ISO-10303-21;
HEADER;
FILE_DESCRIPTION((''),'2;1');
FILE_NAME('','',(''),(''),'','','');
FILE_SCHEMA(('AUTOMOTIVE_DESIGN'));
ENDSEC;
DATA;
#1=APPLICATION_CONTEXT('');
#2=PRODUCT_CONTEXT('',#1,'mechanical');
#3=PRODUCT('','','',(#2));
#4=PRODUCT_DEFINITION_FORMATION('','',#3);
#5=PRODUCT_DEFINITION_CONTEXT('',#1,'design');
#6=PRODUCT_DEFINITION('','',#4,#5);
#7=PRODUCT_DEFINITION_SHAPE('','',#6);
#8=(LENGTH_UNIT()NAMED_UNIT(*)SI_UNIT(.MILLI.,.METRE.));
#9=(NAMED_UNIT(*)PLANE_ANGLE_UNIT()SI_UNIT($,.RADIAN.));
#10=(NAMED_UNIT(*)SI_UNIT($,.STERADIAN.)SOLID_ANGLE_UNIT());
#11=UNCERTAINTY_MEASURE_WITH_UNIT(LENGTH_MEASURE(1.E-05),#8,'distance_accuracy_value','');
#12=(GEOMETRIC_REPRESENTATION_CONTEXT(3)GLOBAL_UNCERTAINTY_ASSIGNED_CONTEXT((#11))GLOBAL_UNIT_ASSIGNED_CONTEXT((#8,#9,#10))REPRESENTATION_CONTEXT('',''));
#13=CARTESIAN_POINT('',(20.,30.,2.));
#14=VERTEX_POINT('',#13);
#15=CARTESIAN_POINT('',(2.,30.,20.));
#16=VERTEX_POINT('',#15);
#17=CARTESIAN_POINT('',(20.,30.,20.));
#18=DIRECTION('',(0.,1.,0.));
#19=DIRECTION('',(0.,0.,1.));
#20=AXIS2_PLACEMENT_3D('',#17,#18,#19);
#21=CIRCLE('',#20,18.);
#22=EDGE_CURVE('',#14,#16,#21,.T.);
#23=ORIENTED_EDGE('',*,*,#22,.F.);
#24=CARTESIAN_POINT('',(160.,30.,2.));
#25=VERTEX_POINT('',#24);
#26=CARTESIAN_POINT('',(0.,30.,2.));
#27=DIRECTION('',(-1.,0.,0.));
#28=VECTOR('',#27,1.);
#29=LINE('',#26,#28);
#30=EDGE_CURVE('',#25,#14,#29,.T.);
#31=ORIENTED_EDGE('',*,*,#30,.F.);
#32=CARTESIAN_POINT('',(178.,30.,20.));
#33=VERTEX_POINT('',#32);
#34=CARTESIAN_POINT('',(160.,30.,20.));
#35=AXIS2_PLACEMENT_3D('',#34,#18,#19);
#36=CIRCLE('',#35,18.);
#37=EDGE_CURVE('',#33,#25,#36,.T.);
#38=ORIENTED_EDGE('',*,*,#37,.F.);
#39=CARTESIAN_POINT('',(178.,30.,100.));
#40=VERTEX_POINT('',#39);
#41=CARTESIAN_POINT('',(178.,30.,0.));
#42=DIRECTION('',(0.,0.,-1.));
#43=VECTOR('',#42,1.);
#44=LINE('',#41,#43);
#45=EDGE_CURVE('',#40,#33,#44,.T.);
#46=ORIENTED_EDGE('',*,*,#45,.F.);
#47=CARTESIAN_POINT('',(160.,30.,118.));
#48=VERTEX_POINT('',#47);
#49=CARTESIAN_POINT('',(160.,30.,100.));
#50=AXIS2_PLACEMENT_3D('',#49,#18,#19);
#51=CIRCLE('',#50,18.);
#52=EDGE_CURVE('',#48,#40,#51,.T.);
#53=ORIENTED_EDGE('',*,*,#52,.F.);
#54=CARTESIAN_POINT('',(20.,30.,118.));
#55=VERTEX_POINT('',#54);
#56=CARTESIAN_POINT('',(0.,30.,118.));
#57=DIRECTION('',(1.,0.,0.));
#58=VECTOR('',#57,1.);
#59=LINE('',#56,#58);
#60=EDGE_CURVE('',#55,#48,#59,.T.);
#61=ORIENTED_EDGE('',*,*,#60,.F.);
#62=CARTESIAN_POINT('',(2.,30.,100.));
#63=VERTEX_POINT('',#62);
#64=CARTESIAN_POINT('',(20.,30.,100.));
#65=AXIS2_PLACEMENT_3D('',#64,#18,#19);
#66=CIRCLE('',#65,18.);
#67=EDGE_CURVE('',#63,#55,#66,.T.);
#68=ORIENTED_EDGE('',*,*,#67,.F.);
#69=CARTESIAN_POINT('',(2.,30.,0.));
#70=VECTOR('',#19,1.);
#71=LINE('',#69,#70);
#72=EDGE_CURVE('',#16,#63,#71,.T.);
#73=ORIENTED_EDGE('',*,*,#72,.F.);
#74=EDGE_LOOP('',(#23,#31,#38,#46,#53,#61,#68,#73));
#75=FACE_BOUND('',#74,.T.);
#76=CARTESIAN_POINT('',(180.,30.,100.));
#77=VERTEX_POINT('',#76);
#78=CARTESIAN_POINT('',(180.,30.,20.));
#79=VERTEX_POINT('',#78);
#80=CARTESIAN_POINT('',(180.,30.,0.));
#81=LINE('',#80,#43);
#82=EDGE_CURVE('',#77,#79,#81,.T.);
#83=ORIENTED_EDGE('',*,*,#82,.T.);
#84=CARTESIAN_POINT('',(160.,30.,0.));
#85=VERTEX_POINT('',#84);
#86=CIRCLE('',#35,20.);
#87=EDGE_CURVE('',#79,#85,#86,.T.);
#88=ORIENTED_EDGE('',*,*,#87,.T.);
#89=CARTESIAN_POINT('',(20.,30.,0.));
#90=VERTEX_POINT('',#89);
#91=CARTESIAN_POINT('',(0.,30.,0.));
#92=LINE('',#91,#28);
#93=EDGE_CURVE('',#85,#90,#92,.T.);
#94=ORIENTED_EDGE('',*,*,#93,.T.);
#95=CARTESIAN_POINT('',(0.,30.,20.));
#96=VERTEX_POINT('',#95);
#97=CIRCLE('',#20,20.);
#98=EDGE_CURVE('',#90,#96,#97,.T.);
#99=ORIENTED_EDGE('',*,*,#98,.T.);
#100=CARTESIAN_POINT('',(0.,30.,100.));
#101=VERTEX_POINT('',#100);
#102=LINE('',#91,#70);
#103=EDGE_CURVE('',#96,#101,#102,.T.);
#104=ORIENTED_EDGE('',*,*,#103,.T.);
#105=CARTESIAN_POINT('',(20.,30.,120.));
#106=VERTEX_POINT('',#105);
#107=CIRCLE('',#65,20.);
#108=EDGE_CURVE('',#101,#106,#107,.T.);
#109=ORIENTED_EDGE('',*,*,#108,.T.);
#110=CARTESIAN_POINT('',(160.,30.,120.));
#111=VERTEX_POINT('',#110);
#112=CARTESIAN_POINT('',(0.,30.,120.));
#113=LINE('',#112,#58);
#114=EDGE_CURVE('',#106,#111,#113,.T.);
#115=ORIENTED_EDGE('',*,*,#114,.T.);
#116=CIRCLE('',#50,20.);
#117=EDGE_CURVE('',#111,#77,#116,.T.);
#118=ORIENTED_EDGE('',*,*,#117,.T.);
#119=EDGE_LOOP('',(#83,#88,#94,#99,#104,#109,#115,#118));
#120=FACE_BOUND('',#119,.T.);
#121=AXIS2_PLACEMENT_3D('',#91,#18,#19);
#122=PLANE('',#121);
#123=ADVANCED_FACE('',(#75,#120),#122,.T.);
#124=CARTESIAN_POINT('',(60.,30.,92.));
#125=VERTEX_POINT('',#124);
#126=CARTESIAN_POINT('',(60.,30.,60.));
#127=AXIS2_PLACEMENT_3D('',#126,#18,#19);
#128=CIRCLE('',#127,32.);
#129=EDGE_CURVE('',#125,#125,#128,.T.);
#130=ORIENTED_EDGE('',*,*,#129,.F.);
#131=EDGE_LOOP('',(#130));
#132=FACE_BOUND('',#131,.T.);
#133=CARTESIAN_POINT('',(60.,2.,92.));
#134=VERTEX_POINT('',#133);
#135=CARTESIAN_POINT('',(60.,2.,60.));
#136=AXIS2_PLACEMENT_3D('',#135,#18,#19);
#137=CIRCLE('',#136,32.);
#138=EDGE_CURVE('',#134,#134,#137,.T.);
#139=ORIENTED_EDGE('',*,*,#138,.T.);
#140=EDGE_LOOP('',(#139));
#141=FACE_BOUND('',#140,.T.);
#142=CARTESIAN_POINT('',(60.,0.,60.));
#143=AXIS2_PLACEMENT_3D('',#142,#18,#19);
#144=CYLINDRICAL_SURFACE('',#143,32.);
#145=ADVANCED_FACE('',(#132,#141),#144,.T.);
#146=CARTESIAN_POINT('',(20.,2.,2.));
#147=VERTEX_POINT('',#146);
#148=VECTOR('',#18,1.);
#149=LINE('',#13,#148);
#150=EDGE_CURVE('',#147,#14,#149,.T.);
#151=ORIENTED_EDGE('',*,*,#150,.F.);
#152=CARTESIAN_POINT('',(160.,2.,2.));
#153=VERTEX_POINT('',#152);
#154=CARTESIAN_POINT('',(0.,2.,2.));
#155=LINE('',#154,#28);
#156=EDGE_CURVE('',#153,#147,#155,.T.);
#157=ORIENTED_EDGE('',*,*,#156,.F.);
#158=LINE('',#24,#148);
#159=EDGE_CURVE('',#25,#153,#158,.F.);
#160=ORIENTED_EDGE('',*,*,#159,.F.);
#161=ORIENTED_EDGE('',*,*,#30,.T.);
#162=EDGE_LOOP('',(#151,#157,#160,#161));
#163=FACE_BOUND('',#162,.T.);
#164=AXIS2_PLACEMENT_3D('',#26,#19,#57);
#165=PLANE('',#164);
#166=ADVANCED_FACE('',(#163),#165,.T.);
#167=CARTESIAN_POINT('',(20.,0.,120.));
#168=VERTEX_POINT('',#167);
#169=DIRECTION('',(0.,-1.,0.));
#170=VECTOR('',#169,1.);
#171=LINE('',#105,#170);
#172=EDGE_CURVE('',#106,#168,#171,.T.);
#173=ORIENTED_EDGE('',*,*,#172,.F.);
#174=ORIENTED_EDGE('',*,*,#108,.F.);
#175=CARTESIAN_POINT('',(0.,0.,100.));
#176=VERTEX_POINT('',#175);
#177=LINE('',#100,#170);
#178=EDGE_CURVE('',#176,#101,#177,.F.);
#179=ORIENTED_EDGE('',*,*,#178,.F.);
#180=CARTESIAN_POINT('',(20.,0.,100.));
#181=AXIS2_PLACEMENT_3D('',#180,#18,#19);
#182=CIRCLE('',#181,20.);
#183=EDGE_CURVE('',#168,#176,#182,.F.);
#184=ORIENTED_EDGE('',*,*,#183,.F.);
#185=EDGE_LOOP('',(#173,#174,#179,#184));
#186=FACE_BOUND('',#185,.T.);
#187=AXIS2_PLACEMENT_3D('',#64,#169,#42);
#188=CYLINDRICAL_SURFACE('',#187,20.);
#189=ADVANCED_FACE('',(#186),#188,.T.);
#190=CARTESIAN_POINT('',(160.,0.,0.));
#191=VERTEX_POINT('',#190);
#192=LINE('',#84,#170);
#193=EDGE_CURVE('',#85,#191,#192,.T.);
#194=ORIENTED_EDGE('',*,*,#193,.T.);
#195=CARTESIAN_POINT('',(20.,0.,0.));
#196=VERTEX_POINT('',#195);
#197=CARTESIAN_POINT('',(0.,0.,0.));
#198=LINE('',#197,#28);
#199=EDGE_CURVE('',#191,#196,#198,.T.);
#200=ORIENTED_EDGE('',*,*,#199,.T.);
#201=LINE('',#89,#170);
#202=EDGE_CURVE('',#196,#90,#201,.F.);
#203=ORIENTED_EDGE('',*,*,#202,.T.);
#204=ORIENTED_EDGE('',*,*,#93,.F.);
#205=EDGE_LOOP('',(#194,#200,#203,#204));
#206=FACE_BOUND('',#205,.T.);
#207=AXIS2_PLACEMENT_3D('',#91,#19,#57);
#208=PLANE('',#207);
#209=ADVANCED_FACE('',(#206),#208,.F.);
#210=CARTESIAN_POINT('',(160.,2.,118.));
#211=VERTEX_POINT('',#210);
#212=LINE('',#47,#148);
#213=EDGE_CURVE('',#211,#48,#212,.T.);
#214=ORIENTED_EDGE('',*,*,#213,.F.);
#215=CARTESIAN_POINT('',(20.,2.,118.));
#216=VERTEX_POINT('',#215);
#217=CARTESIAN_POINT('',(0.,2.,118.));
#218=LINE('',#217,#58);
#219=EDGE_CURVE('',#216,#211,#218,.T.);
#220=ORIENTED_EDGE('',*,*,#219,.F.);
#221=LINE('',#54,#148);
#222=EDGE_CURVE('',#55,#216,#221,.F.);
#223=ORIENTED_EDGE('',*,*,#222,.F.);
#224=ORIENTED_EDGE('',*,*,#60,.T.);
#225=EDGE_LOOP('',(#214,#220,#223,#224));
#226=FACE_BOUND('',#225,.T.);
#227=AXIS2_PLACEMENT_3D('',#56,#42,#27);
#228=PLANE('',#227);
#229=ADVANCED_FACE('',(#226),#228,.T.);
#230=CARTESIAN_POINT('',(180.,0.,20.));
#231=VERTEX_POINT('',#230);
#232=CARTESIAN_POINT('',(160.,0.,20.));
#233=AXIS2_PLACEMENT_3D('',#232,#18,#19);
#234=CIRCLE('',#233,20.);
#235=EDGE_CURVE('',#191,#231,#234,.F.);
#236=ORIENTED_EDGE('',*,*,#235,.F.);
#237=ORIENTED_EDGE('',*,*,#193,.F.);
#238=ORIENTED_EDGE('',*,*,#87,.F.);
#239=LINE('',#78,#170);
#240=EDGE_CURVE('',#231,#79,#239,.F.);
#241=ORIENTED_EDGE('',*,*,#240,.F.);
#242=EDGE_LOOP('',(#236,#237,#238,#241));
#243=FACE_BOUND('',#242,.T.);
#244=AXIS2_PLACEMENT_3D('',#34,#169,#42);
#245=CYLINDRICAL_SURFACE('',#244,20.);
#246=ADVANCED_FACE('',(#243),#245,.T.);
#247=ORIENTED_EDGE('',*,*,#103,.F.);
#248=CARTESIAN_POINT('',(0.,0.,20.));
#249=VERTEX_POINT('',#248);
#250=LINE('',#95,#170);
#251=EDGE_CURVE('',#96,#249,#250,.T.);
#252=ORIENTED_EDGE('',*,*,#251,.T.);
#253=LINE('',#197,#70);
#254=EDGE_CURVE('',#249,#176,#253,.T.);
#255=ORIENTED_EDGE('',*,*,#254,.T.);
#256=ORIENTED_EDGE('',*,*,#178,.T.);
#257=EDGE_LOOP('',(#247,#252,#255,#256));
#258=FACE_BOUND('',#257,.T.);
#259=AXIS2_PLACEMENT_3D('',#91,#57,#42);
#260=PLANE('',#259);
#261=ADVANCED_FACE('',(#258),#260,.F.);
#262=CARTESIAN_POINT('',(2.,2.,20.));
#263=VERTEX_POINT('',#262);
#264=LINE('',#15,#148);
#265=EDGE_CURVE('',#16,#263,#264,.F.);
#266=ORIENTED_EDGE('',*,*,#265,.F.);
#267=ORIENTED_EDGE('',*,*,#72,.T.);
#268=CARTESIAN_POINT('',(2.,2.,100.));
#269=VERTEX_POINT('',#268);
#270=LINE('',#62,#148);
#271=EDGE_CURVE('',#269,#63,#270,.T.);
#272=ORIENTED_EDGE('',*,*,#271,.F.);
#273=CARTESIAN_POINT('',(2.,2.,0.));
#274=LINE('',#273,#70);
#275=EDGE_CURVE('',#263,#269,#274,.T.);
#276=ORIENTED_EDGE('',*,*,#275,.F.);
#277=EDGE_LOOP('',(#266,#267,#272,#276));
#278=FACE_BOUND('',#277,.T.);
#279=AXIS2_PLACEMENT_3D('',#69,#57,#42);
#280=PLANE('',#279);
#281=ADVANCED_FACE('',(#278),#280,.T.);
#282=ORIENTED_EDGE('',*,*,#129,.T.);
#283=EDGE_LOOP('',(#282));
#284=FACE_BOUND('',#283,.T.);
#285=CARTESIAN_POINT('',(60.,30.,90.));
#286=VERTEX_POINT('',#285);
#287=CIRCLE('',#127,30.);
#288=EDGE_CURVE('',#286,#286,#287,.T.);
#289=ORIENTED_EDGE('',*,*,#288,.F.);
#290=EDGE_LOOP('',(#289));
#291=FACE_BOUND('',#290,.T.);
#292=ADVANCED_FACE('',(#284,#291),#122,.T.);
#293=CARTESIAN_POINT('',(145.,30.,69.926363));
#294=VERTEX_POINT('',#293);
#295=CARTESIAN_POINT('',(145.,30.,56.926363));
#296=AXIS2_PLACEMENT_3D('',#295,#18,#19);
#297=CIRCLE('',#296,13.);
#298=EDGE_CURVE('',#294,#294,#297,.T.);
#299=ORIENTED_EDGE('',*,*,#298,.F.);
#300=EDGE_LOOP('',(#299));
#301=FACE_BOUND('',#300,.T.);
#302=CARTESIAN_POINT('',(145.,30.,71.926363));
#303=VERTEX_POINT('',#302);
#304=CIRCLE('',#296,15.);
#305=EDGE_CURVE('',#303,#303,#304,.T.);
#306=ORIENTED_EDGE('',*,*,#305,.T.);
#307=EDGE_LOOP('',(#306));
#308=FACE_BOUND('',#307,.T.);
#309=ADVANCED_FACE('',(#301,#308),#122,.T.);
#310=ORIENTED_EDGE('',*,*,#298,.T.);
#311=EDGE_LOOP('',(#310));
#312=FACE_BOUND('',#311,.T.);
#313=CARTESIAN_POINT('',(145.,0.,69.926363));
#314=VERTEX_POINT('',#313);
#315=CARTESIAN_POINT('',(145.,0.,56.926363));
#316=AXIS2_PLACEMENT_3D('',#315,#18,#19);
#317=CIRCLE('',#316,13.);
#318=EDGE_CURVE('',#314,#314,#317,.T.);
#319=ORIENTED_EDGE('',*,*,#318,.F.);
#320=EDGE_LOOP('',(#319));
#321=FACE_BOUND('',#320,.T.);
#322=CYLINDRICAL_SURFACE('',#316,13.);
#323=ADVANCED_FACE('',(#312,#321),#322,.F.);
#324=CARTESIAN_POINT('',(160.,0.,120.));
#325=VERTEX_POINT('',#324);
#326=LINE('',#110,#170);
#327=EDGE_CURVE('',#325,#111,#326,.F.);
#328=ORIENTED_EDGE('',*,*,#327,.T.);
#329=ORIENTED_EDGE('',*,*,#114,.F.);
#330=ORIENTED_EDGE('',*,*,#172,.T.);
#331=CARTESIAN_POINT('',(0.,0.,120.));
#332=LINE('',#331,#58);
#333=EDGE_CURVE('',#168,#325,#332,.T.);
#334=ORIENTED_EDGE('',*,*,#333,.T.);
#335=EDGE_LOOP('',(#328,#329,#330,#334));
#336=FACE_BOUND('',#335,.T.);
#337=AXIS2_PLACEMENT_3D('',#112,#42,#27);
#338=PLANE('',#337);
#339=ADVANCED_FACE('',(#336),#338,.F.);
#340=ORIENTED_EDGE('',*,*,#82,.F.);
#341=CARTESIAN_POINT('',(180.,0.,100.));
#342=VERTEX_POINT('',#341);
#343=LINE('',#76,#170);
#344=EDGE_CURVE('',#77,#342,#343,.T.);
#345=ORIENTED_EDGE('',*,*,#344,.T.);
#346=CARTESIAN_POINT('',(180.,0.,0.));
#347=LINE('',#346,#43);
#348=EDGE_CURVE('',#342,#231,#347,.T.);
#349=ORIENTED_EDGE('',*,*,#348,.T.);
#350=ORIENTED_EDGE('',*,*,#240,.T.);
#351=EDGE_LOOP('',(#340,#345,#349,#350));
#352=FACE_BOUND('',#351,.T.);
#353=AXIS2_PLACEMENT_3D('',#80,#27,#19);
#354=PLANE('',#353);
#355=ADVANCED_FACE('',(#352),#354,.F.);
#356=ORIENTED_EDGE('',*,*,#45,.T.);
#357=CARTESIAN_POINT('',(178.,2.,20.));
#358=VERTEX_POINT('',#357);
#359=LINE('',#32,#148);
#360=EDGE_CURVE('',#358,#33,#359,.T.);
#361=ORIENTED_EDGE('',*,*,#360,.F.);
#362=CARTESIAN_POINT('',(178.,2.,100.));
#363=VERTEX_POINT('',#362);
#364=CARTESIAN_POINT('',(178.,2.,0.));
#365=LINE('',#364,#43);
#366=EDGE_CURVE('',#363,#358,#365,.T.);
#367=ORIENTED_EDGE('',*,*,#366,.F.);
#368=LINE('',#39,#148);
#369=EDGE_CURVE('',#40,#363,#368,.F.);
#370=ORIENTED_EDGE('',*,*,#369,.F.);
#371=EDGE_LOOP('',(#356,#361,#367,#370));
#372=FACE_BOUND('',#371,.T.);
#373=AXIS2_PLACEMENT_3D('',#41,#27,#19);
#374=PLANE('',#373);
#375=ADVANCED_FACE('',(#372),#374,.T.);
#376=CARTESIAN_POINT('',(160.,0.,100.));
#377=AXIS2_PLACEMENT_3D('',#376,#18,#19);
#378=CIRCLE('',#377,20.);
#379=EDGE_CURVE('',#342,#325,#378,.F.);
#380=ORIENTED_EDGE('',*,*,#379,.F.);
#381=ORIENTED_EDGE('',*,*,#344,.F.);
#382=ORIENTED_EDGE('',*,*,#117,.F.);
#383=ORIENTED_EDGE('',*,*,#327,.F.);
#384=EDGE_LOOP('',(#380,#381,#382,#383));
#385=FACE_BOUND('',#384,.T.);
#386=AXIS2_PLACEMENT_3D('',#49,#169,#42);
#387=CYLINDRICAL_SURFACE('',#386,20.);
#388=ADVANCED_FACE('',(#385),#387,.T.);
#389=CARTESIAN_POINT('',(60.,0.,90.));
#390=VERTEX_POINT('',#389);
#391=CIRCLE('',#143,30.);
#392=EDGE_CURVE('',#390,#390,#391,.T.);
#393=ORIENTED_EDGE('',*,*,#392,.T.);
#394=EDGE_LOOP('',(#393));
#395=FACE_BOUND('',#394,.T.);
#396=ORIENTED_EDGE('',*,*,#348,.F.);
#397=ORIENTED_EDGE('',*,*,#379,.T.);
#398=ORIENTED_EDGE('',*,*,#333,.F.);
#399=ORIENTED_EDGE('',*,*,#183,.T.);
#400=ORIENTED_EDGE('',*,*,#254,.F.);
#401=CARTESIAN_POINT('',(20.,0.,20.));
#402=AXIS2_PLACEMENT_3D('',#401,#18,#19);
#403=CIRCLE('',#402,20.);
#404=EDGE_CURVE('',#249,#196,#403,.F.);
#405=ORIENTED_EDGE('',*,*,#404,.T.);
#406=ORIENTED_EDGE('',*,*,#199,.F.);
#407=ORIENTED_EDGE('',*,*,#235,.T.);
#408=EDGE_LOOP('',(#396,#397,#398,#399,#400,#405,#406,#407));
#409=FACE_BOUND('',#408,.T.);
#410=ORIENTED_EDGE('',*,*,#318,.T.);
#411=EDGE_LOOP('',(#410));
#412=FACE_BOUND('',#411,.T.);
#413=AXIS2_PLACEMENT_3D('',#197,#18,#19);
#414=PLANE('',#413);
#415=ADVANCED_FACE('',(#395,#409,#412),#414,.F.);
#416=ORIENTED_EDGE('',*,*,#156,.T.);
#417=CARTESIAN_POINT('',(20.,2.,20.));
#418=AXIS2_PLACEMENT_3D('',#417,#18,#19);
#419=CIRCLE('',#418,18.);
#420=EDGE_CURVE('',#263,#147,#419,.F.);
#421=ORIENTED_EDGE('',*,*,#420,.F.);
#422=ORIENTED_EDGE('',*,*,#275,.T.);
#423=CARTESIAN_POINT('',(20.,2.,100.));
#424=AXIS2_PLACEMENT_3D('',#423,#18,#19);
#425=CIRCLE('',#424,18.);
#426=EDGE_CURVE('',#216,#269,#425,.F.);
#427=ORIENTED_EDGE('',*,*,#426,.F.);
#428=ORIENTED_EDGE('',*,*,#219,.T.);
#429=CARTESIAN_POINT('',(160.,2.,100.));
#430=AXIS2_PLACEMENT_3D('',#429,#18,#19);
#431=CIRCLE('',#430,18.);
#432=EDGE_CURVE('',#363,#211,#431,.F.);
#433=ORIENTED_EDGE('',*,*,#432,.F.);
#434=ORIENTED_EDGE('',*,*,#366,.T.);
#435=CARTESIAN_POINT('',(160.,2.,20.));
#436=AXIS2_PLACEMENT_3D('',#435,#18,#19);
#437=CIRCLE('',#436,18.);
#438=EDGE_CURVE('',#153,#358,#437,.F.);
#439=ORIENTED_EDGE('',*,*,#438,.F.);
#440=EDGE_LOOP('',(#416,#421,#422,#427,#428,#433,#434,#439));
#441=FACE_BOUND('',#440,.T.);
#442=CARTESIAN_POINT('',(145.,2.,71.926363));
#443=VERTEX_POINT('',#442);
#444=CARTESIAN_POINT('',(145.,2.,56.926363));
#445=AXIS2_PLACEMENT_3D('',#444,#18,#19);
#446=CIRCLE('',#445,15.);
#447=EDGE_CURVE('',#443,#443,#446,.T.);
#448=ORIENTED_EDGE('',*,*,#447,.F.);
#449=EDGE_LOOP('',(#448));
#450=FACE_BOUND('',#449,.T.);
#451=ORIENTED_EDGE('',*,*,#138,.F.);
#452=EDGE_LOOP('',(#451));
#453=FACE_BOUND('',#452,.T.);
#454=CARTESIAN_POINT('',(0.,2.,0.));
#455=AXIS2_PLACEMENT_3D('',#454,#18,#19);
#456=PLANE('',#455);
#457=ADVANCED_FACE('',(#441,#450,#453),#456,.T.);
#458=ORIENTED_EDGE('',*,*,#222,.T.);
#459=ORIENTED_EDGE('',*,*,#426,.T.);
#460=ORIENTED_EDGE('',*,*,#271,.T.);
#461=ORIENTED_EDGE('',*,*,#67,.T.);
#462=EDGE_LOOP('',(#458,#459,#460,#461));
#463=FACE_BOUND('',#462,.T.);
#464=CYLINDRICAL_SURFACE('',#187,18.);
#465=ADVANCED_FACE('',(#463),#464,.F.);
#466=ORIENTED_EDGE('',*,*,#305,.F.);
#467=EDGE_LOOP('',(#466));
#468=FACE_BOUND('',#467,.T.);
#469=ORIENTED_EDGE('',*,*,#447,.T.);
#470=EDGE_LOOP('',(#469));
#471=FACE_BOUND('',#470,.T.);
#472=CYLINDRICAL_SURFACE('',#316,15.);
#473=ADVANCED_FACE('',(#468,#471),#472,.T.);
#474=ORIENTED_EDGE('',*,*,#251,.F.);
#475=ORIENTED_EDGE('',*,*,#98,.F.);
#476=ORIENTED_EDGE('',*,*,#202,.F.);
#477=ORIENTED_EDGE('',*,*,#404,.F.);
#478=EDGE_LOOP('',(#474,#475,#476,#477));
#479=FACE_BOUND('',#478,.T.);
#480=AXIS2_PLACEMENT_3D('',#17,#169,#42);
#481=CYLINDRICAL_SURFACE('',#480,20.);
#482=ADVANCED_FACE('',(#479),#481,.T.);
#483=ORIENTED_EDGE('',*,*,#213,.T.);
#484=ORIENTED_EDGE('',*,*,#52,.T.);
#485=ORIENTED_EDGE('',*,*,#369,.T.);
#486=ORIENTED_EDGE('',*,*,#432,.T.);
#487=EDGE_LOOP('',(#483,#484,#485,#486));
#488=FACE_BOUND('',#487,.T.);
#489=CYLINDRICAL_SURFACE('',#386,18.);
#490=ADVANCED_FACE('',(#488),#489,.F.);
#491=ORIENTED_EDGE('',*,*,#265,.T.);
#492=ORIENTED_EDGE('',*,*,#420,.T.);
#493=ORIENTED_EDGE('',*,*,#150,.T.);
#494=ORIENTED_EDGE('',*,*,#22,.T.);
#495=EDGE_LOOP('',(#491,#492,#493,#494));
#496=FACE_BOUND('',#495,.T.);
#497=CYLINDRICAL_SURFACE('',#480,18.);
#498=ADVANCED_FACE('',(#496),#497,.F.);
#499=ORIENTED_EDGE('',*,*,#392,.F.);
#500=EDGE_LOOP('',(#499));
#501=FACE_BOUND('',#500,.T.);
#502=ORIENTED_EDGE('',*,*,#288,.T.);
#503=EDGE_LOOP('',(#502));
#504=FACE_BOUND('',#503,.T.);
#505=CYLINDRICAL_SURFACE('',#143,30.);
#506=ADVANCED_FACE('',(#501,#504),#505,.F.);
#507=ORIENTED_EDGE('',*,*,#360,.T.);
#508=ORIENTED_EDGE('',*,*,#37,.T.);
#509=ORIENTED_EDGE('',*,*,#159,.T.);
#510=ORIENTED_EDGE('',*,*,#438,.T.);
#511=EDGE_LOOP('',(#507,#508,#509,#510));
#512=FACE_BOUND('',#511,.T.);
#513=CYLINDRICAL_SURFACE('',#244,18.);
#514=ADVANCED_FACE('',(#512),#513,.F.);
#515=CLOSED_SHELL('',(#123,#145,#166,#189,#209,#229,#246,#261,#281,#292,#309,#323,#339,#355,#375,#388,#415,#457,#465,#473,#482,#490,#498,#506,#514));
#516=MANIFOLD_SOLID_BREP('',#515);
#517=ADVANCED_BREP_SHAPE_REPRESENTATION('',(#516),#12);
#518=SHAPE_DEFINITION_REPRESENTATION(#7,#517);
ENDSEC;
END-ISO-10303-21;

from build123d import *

# Parameters (mm, degrees)
SKETCH1_W           = 180
SKETCH1_H           = 120
BOSS_EXTRUDE1_DEPTH = 30
SKETCH4_R           = 30
SKETCH4_R_2         = 13
CUT_EXTRUDE1_DEPTH  = 219.403296678
FILLET1_R           = 20
SHELL2_T            = -2


with BuildPart() as part:
    # Sketch1 → Boss-Extrude1 (new body)
    with BuildSketch(Plane(origin=(0, 0, 0), x_dir=(1, 0, 0), z_dir=(0, 1, 0))):
        with Locations((90, -60)):
            Rectangle(SKETCH1_W, SKETCH1_H)
    extrude(amount=BOSS_EXTRUDE1_DEPTH)

    # Sketch4 → Cut-Extrude1 (cut, through all)
    with BuildSketch(Plane(origin=(0, 30, 0), x_dir=(1, 0, 0), z_dir=(0, 1, 0))):
        with Locations(Location((60, -60, 0), (0, 0, 270))):
            Circle(SKETCH4_R)
        with Locations(Location((145, -56.926363362, 0), (0, 0, 270))):
            Circle(SKETCH4_R_2)
    extrude(amount=-CUT_EXTRUDE1_DEPTH, mode=Mode.SUBTRACT)

    # Fillet1
    fillet1_edges = [part.edges().sort_by_distance(p)[0] for p in [
        (0, 15, 0),
        (180, 15, 0),
        (180, 15, 120),
        (0, 15, 120),
    ]]
    fillet(fillet1_edges, radius=FILLET1_R)

    # Shell2
    shell2_openings = [part.faces().sort_by_distance(p)[0] for p in [
        (93.107668166, 30, 60.091175454),
    ]]
    offset(amount=SHELL2_T, openings=shell2_openings, kind=Kind.INTERSECTION)


solid = part.part
